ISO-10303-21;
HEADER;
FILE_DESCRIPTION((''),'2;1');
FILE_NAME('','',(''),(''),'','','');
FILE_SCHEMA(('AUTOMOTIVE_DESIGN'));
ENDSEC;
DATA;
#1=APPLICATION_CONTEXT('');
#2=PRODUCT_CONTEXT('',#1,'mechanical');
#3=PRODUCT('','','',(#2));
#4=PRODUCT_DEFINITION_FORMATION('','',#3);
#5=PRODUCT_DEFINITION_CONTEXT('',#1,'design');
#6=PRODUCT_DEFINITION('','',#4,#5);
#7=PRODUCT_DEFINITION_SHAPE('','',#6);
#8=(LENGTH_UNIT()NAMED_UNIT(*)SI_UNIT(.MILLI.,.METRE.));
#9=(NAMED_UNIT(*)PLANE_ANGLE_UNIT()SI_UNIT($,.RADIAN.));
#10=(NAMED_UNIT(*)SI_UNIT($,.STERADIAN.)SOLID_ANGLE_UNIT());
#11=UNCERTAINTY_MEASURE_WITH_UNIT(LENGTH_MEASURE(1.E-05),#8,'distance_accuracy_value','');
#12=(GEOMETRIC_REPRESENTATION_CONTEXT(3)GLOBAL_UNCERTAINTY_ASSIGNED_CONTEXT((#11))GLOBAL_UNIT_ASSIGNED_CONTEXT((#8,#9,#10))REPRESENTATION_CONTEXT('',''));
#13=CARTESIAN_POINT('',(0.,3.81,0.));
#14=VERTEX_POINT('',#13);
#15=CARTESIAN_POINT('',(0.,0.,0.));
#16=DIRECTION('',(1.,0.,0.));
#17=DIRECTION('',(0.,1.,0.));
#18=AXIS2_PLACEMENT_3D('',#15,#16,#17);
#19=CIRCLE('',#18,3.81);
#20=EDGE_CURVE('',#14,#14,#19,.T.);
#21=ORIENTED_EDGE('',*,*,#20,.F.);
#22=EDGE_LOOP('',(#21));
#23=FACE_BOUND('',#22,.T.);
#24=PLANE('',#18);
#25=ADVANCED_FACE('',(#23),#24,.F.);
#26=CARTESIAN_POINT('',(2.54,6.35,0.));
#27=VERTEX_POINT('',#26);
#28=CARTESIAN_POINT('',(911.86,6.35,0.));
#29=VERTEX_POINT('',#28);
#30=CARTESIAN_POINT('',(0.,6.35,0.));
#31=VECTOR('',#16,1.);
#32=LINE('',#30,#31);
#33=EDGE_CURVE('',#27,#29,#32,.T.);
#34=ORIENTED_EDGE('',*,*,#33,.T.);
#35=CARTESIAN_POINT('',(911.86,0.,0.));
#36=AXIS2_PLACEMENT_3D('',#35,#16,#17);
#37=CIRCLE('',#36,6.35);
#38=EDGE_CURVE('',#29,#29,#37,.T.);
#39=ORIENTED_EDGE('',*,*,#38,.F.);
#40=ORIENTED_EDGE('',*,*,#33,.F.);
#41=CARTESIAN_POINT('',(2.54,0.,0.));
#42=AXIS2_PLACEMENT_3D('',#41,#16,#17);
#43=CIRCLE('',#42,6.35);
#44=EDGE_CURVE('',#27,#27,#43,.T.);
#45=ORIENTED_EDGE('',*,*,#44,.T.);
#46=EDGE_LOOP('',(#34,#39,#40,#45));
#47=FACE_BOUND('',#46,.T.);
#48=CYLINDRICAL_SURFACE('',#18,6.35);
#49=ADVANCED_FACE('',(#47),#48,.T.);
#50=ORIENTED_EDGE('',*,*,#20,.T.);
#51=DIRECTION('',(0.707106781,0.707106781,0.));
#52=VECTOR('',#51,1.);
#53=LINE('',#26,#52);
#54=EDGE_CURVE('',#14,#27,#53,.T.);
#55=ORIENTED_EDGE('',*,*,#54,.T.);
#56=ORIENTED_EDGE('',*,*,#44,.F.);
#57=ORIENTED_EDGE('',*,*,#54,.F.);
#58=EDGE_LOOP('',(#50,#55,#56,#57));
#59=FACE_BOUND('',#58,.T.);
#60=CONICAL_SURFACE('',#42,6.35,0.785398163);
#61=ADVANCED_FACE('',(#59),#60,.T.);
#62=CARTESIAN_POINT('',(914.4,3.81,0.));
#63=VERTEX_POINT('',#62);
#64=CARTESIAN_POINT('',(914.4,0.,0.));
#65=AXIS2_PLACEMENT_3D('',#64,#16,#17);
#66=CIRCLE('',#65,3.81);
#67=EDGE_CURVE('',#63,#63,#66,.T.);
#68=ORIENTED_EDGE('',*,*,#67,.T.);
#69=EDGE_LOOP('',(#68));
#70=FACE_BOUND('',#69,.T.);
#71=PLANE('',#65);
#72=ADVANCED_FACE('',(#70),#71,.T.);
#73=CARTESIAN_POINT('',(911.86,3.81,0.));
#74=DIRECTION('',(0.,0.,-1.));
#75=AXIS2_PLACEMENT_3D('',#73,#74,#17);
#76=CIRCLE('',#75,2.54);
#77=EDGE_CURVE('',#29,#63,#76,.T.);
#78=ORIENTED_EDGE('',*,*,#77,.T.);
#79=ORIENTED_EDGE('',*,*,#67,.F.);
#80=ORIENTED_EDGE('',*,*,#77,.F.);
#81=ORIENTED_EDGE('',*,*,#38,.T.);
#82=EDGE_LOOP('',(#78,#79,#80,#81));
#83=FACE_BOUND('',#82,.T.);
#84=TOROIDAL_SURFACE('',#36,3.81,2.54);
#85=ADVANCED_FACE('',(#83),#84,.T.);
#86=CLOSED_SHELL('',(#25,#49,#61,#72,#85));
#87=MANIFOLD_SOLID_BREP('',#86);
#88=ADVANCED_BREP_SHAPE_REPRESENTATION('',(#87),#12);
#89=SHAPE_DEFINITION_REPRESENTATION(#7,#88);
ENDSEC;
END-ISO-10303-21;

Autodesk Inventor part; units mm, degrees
ref_plane "Start Plane" through (0, 0, 0) normal (1, 0, 0) x (0, 1, 0)
ref_plane "XZ Plane" through (0, 0, 0) normal (0, 1, 0) x (-1, 0, 0)
ref_plane "XY Plane" through (0, 0, 0) normal (0, 0, 1) x (1, 0, 0)
sketch "Main Sketch" plane through (0, 0, 0) normal (0, 0, 1) x (1, 0, 0)
  line L0 (0, 0) -> (914.4, 0)
  line L1 (0, 0) -> (0, 6.35)
  line L2 (914.4, 6.35) -> (914.4, 0)
  line L3 (0, 6.35) -> (914.4, 6.35)
  dimension "d3" = 12.7
revolve "Revolution1" add sketch "Main Sketch" angle 360 about axis through (0, 0, 0) along (1, 0, 0)
chamfer "Chamfer1" distance 2.54 angle 45 1 edges at (0, -6.35, 0) measured on face at (609.6, 6.3294, -0.511)
fillet "Fillet1" radius 2.54 1 edges at (914.4, -6.35, 0)
properties part number "Shaft" material "Steel, Mild"
